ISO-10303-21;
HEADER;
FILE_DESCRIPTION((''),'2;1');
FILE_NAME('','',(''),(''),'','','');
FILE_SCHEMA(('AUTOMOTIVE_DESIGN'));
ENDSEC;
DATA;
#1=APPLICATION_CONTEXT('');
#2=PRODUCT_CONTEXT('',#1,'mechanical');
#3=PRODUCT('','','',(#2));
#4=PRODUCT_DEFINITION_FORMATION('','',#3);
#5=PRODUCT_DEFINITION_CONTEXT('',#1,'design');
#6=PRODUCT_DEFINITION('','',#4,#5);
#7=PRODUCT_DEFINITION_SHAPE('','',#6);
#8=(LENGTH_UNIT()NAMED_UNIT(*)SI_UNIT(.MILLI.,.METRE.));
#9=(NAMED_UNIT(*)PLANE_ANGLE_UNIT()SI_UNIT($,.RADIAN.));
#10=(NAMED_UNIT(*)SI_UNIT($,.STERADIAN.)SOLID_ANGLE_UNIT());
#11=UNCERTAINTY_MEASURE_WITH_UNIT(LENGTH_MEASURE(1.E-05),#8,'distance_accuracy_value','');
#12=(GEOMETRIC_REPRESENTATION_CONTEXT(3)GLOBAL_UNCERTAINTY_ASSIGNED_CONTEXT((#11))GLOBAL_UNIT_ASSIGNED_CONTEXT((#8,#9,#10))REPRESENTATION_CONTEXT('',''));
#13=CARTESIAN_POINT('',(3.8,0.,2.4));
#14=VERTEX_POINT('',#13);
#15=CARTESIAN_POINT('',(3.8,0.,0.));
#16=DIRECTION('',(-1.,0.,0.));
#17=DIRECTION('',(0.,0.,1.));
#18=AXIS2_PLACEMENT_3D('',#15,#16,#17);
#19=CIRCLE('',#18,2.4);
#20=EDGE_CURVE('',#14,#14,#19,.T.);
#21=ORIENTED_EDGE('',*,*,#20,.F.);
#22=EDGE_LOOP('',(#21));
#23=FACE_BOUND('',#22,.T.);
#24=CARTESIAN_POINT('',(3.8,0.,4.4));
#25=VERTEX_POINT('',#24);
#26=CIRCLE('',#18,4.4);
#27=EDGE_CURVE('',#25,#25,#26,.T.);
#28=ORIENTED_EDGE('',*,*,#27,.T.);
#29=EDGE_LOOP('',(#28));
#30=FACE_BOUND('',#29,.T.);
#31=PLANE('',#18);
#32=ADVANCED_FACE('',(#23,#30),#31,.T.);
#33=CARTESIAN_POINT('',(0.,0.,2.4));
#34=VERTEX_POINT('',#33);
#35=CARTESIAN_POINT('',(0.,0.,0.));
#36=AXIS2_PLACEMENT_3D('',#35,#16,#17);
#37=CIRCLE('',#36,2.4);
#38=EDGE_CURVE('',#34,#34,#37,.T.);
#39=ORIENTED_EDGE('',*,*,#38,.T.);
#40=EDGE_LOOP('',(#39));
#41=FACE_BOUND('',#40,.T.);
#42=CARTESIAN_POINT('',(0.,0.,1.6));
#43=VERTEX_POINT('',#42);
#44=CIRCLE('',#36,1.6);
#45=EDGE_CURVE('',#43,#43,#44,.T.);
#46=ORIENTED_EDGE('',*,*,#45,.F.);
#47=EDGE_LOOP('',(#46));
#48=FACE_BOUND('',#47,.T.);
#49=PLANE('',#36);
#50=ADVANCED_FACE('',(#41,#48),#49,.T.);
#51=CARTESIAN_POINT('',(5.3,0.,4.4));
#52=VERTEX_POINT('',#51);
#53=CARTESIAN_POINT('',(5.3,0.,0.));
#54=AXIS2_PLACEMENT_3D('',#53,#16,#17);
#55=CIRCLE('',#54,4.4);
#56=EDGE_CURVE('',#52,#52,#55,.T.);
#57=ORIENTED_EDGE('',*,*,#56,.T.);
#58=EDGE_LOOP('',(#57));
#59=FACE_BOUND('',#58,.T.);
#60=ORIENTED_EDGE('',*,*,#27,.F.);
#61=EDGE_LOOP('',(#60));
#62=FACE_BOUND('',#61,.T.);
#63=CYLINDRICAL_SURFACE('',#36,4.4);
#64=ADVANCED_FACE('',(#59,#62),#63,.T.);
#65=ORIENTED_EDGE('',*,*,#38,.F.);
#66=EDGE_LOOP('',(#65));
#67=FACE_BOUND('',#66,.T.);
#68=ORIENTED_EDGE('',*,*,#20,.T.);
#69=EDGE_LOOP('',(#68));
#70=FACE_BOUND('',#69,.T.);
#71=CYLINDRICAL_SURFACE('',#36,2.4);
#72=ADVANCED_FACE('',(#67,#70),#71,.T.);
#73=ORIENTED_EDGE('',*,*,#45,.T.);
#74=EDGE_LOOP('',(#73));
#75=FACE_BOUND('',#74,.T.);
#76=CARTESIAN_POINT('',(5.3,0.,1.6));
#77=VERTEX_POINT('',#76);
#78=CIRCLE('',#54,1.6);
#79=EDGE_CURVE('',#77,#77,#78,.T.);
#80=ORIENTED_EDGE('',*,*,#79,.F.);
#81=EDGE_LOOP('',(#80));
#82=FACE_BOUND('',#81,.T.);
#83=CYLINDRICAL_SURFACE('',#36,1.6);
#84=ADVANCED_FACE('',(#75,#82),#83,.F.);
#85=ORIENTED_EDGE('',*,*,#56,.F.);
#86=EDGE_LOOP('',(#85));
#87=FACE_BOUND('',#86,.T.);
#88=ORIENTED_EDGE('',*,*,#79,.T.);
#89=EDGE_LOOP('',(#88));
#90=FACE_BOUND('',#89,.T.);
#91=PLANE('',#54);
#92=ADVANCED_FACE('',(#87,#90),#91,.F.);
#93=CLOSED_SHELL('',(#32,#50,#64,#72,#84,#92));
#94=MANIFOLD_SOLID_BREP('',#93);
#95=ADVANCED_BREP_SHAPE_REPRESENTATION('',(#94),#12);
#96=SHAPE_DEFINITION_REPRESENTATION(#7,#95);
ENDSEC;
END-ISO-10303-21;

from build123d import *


with BuildPart() as part:
    # 草图1 → 旋转1 (revolve)
    with BuildSketch(Plane.XY, mode=Mode.PRIVATE) as revolve_1_sk:
        Polygon((0, 1.6), (0, 2.4), (3.8, 2.4), (3.8, 4.4), (5.3, 4.4), (5.3, 1.6), align=None)
    revolve(revolve_1_sk.sketch.rotate(Axis((0, 0, 0), (1, 0, 0)), 90), axis=Axis((0, 0, 0), (1, 0, 0)))


solid = part.part
